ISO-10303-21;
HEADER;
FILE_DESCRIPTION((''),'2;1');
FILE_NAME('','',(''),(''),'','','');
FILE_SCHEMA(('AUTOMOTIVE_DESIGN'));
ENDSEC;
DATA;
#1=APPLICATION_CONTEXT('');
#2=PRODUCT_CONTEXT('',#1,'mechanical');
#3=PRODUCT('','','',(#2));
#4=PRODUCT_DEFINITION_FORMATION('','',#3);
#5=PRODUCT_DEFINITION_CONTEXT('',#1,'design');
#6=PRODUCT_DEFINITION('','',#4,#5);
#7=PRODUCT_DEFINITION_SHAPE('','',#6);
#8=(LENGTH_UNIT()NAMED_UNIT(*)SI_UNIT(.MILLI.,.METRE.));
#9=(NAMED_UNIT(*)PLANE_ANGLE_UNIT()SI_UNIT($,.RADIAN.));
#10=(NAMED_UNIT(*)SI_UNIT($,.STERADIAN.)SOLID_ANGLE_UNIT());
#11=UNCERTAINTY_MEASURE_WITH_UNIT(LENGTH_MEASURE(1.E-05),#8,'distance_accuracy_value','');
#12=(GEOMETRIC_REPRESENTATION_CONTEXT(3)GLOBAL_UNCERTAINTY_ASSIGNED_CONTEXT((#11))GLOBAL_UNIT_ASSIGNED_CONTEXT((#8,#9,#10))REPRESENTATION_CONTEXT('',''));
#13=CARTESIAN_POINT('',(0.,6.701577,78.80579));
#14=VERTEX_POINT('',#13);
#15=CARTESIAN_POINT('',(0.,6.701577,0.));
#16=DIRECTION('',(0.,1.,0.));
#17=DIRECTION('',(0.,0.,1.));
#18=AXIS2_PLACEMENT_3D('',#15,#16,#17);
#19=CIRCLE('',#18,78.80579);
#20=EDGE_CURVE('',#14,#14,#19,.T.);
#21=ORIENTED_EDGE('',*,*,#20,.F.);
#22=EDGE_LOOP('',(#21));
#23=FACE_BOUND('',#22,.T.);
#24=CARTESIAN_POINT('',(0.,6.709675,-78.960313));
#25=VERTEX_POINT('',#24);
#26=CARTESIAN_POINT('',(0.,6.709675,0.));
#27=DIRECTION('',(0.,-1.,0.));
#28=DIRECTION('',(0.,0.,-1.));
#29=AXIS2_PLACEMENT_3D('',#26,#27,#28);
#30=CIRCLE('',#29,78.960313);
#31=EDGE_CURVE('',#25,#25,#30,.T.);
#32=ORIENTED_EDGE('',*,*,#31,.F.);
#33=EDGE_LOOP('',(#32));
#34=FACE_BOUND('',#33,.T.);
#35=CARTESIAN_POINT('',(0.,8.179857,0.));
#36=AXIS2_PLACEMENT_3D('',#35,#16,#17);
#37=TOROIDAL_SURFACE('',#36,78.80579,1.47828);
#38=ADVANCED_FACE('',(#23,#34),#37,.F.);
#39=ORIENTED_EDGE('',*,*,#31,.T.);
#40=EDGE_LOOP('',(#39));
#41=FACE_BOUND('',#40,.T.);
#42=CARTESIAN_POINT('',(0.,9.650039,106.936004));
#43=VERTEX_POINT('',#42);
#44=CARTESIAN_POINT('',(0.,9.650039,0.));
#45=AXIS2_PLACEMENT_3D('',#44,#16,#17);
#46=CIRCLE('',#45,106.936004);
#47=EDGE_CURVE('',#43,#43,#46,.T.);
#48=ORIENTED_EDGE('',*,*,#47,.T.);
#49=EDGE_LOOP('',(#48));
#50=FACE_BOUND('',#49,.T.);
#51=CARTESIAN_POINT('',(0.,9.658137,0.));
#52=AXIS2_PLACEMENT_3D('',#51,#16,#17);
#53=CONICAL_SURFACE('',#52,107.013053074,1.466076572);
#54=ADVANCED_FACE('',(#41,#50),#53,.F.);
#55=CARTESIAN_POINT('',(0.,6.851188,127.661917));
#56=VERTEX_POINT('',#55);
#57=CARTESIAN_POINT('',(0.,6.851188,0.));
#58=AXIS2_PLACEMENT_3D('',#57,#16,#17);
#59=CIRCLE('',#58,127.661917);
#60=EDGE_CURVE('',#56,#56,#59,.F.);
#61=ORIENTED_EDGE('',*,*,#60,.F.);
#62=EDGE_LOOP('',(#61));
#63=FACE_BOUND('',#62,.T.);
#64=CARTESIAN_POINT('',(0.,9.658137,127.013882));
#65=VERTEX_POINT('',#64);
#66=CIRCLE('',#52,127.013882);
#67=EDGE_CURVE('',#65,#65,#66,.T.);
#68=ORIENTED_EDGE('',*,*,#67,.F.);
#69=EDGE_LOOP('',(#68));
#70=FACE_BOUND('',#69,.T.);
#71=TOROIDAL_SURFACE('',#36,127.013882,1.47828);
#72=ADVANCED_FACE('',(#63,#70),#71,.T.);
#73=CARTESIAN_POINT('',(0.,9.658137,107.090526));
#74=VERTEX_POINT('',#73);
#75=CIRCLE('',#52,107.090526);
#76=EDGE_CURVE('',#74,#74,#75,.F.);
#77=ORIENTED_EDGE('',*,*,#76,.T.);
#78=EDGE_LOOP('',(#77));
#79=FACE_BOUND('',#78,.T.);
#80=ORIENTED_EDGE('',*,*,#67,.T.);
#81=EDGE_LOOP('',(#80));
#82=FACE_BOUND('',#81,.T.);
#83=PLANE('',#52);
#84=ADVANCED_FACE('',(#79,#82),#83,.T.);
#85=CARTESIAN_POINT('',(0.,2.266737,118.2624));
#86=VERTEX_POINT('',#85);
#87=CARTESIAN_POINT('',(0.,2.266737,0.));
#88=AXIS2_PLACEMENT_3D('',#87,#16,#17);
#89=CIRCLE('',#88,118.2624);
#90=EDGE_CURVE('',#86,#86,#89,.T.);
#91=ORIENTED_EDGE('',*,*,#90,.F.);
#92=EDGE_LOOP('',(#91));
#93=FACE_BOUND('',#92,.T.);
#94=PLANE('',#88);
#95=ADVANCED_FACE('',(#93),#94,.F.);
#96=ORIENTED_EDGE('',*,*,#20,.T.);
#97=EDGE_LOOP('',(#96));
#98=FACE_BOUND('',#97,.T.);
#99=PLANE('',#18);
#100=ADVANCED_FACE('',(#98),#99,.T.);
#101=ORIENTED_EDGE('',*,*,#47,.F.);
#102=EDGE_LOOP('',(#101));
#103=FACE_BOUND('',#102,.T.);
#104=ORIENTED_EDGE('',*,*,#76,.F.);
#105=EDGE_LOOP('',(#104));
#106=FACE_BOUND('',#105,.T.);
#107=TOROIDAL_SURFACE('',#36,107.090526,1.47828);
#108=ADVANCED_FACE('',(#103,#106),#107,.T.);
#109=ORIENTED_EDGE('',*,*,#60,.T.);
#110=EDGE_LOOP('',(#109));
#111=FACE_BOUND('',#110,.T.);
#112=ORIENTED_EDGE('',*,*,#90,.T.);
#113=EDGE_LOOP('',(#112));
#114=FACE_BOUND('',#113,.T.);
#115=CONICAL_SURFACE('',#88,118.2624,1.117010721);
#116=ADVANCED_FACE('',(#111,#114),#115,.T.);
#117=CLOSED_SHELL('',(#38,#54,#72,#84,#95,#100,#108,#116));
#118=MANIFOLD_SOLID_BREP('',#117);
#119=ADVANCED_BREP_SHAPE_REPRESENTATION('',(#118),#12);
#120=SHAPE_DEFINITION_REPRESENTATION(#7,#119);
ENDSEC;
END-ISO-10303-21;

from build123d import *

# Parameters (mm, degrees)
SKETCH1_R           = 203.2
BOSS_EXTRUDE1_DEPTH = 12.7
BOSS_EXTRUDE1_DRAFT = -63.999999999
SKETCH2_R           = 183.871225213
CUT_EXTRUDE1_DEPTH  = 5.08
CUT_EXTRUDE1_DRAFT  = -83.999999999
FILLET1_R           = 2.54
SCALE1_SCALE        = 0.582


with BuildPart() as part:
    # Sketch1 → Boss-Extrude1 (with draft: the straight prism first)
    with BuildSketch(Plane(origin=(0, 0, 0), x_dir=(1, 0, 0), z_dir=(0, 1, 0))):
        Circle(SKETCH1_R)
    extrude(amount=BOSS_EXTRUDE1_DEPTH)
    # Boss-Extrude1: the draft: its side faces are tilted about the plane it starts from
    boss_extrude1_sides = [part.faces().sort_by_distance(p)[0] for p in [
        (-203.2, 6.35, 0),
    ]]
    draft(boss_extrude1_sides, Plane(origin=(0, 0, 0), x_dir=(1, 0, 0), z_dir=(0, 1, 0)), BOSS_EXTRUDE1_DRAFT)


with BuildPart() as cut_extrude1_tool:
    # Sketch2 → Cut-Extrude1 (with draft: the straight prism first)
    with BuildSketch(Plane(origin=(0, 12.7, 0), x_dir=(1, 0, 0), z_dir=(0, 1, 0))):
        Circle(SKETCH2_R)
    extrude(amount=-CUT_EXTRUDE1_DEPTH)
    # Cut-Extrude1: the draft: its side faces are tilted about the plane it starts from
    cut_extrude1_sides = [cut_extrude1_tool.faces().sort_by_distance(p)[0] for p in [
        (-183.871225213, 10.16, 0),
    ]]
    draft(cut_extrude1_sides, Plane(origin=(0, 12.7, 0), x_dir=(1, 0, 0), z_dir=(0, 1, 0)), CUT_EXTRUDE1_DRAFT)


with BuildPart() as part_1:
    add(part.part)

    # Cut-Extrude1: cut by cut_extrude1_tool
    add(cut_extrude1_tool.part, mode=Mode.SUBTRACT)

    # Fillet1
    fillet1_edges = [part_1.edges().sort_by_distance(p)[0] for p in [
        (-229.238858787, 12.7, 0),
        (-135.53825379, 7.62, 0),
        (-183.871225213, 12.7, 0),
    ]]
    fillet(fillet1_edges, radius=FILLET1_R)


with BuildPart() as part_2:
    # Scale1: scaled about (0, 5.422815949, 0)
    add(part_1.part.scale(SCALE1_SCALE).moved(Location((0, 2.266737067, 0))))


solid = part_2.part
